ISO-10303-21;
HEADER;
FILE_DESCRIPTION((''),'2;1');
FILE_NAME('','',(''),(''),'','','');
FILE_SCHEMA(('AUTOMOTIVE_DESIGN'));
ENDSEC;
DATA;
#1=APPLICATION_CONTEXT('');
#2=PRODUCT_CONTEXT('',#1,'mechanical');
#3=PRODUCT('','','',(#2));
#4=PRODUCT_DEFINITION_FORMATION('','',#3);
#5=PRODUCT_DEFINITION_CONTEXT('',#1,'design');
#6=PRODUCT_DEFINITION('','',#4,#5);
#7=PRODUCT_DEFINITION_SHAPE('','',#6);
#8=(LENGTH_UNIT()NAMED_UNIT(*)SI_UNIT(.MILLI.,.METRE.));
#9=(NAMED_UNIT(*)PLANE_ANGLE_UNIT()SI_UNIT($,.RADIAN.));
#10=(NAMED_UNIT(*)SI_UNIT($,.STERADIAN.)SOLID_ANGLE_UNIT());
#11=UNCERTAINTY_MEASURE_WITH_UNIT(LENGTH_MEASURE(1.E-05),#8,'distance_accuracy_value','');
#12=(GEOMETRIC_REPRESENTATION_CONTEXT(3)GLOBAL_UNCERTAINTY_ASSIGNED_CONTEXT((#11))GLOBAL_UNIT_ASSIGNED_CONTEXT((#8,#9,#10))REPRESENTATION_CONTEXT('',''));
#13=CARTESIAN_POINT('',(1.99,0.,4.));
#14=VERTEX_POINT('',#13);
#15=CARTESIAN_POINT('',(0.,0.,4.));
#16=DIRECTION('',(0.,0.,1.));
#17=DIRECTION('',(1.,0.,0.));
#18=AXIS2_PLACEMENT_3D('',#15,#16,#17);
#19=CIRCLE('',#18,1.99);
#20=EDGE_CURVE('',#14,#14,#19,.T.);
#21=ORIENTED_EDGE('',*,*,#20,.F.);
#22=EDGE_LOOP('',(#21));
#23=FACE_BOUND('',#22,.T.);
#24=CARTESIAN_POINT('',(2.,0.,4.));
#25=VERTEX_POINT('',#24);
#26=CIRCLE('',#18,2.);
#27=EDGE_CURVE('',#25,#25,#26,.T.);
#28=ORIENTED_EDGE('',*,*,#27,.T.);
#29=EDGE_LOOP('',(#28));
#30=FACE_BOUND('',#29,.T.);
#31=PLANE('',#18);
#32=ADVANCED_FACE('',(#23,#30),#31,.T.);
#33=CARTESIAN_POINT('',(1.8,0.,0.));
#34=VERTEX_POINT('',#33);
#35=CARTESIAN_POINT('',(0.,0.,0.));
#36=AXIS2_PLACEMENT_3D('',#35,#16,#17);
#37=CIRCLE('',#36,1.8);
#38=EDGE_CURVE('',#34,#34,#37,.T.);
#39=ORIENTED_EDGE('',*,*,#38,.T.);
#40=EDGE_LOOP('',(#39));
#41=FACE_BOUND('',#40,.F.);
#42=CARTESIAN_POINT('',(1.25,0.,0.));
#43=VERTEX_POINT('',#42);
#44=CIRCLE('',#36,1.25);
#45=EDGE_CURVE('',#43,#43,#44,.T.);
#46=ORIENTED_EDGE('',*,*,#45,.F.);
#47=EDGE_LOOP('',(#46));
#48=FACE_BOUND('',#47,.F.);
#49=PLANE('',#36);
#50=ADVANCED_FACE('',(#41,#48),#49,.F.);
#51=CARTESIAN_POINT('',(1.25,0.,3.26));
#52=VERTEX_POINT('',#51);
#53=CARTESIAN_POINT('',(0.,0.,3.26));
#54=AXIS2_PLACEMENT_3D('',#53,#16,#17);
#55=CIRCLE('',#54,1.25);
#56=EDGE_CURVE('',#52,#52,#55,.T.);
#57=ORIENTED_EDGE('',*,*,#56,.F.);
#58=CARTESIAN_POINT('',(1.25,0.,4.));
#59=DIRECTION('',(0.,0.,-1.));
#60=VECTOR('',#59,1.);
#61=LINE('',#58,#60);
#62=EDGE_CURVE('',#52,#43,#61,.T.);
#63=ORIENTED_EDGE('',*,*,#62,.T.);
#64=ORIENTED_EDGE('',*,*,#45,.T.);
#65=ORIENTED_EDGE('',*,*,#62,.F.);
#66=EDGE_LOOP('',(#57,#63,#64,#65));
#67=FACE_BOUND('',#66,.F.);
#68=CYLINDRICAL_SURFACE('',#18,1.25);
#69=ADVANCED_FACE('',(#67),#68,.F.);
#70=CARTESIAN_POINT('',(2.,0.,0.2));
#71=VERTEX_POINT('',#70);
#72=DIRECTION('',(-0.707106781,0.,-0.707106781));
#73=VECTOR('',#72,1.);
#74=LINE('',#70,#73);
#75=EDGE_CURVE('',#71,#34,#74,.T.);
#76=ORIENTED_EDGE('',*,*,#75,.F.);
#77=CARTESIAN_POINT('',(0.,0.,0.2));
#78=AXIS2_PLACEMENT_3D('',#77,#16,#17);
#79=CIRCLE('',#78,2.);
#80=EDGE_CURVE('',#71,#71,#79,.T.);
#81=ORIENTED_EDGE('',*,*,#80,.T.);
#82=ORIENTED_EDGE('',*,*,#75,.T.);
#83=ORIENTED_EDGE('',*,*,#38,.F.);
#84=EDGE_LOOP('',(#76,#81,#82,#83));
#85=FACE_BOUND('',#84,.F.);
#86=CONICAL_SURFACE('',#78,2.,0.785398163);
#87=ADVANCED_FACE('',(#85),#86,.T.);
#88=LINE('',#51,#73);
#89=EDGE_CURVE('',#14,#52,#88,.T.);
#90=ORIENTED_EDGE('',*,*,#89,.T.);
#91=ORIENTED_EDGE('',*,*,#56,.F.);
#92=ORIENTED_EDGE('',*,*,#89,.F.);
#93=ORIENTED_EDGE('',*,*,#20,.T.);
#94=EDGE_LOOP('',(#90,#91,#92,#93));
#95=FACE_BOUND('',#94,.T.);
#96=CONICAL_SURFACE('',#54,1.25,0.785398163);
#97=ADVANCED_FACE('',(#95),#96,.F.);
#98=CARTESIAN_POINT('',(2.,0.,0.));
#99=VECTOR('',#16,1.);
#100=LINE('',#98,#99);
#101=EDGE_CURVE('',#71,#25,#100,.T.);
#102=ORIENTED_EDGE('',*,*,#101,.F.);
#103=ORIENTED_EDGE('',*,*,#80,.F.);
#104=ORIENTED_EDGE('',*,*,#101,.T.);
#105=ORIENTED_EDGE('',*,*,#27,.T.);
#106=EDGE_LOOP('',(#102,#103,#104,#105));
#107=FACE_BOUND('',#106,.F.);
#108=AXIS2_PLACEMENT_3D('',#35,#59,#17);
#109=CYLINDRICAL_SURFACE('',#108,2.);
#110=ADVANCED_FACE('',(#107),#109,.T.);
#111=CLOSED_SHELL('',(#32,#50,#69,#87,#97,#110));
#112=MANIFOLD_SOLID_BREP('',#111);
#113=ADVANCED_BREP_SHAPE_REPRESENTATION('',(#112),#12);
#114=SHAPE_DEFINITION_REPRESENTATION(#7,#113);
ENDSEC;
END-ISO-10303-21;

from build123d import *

# Parameters (mm, degrees)
SKETCH_R        = 2
PAD_DEPTH       = 4
CHAMFER_SIZE    = 0.2
SKETCH001_R     = 1.25
POCKET_DEPTH    = 5
CHAMFER001_SIZE = 0.74


with BuildPart() as part:
    # Sketch → Pad (new body)
    with BuildSketch(Plane.XY):
        Circle(SKETCH_R)
    extrude(amount=PAD_DEPTH)

    # Chamfer
    chamfer_edges = [part.edges().sort_by_distance(p)[0] for p in [
        (-2, 0, 0),
    ]]
    chamfer(chamfer_edges, length=CHAMFER_SIZE)

    # Sketch001 → Pocket (cut)
    with BuildSketch(Plane.XY.offset(4)):
        Circle(SKETCH001_R)
    extrude(amount=-POCKET_DEPTH, mode=Mode.SUBTRACT)

    # Chamfer001
    chamfer001_edges = [part.edges().sort_by_distance(p)[0] for p in [
        (-1.25, 0, 4),
    ]]
    chamfer(chamfer001_edges, length=CHAMFER001_SIZE)


solid = part.part
